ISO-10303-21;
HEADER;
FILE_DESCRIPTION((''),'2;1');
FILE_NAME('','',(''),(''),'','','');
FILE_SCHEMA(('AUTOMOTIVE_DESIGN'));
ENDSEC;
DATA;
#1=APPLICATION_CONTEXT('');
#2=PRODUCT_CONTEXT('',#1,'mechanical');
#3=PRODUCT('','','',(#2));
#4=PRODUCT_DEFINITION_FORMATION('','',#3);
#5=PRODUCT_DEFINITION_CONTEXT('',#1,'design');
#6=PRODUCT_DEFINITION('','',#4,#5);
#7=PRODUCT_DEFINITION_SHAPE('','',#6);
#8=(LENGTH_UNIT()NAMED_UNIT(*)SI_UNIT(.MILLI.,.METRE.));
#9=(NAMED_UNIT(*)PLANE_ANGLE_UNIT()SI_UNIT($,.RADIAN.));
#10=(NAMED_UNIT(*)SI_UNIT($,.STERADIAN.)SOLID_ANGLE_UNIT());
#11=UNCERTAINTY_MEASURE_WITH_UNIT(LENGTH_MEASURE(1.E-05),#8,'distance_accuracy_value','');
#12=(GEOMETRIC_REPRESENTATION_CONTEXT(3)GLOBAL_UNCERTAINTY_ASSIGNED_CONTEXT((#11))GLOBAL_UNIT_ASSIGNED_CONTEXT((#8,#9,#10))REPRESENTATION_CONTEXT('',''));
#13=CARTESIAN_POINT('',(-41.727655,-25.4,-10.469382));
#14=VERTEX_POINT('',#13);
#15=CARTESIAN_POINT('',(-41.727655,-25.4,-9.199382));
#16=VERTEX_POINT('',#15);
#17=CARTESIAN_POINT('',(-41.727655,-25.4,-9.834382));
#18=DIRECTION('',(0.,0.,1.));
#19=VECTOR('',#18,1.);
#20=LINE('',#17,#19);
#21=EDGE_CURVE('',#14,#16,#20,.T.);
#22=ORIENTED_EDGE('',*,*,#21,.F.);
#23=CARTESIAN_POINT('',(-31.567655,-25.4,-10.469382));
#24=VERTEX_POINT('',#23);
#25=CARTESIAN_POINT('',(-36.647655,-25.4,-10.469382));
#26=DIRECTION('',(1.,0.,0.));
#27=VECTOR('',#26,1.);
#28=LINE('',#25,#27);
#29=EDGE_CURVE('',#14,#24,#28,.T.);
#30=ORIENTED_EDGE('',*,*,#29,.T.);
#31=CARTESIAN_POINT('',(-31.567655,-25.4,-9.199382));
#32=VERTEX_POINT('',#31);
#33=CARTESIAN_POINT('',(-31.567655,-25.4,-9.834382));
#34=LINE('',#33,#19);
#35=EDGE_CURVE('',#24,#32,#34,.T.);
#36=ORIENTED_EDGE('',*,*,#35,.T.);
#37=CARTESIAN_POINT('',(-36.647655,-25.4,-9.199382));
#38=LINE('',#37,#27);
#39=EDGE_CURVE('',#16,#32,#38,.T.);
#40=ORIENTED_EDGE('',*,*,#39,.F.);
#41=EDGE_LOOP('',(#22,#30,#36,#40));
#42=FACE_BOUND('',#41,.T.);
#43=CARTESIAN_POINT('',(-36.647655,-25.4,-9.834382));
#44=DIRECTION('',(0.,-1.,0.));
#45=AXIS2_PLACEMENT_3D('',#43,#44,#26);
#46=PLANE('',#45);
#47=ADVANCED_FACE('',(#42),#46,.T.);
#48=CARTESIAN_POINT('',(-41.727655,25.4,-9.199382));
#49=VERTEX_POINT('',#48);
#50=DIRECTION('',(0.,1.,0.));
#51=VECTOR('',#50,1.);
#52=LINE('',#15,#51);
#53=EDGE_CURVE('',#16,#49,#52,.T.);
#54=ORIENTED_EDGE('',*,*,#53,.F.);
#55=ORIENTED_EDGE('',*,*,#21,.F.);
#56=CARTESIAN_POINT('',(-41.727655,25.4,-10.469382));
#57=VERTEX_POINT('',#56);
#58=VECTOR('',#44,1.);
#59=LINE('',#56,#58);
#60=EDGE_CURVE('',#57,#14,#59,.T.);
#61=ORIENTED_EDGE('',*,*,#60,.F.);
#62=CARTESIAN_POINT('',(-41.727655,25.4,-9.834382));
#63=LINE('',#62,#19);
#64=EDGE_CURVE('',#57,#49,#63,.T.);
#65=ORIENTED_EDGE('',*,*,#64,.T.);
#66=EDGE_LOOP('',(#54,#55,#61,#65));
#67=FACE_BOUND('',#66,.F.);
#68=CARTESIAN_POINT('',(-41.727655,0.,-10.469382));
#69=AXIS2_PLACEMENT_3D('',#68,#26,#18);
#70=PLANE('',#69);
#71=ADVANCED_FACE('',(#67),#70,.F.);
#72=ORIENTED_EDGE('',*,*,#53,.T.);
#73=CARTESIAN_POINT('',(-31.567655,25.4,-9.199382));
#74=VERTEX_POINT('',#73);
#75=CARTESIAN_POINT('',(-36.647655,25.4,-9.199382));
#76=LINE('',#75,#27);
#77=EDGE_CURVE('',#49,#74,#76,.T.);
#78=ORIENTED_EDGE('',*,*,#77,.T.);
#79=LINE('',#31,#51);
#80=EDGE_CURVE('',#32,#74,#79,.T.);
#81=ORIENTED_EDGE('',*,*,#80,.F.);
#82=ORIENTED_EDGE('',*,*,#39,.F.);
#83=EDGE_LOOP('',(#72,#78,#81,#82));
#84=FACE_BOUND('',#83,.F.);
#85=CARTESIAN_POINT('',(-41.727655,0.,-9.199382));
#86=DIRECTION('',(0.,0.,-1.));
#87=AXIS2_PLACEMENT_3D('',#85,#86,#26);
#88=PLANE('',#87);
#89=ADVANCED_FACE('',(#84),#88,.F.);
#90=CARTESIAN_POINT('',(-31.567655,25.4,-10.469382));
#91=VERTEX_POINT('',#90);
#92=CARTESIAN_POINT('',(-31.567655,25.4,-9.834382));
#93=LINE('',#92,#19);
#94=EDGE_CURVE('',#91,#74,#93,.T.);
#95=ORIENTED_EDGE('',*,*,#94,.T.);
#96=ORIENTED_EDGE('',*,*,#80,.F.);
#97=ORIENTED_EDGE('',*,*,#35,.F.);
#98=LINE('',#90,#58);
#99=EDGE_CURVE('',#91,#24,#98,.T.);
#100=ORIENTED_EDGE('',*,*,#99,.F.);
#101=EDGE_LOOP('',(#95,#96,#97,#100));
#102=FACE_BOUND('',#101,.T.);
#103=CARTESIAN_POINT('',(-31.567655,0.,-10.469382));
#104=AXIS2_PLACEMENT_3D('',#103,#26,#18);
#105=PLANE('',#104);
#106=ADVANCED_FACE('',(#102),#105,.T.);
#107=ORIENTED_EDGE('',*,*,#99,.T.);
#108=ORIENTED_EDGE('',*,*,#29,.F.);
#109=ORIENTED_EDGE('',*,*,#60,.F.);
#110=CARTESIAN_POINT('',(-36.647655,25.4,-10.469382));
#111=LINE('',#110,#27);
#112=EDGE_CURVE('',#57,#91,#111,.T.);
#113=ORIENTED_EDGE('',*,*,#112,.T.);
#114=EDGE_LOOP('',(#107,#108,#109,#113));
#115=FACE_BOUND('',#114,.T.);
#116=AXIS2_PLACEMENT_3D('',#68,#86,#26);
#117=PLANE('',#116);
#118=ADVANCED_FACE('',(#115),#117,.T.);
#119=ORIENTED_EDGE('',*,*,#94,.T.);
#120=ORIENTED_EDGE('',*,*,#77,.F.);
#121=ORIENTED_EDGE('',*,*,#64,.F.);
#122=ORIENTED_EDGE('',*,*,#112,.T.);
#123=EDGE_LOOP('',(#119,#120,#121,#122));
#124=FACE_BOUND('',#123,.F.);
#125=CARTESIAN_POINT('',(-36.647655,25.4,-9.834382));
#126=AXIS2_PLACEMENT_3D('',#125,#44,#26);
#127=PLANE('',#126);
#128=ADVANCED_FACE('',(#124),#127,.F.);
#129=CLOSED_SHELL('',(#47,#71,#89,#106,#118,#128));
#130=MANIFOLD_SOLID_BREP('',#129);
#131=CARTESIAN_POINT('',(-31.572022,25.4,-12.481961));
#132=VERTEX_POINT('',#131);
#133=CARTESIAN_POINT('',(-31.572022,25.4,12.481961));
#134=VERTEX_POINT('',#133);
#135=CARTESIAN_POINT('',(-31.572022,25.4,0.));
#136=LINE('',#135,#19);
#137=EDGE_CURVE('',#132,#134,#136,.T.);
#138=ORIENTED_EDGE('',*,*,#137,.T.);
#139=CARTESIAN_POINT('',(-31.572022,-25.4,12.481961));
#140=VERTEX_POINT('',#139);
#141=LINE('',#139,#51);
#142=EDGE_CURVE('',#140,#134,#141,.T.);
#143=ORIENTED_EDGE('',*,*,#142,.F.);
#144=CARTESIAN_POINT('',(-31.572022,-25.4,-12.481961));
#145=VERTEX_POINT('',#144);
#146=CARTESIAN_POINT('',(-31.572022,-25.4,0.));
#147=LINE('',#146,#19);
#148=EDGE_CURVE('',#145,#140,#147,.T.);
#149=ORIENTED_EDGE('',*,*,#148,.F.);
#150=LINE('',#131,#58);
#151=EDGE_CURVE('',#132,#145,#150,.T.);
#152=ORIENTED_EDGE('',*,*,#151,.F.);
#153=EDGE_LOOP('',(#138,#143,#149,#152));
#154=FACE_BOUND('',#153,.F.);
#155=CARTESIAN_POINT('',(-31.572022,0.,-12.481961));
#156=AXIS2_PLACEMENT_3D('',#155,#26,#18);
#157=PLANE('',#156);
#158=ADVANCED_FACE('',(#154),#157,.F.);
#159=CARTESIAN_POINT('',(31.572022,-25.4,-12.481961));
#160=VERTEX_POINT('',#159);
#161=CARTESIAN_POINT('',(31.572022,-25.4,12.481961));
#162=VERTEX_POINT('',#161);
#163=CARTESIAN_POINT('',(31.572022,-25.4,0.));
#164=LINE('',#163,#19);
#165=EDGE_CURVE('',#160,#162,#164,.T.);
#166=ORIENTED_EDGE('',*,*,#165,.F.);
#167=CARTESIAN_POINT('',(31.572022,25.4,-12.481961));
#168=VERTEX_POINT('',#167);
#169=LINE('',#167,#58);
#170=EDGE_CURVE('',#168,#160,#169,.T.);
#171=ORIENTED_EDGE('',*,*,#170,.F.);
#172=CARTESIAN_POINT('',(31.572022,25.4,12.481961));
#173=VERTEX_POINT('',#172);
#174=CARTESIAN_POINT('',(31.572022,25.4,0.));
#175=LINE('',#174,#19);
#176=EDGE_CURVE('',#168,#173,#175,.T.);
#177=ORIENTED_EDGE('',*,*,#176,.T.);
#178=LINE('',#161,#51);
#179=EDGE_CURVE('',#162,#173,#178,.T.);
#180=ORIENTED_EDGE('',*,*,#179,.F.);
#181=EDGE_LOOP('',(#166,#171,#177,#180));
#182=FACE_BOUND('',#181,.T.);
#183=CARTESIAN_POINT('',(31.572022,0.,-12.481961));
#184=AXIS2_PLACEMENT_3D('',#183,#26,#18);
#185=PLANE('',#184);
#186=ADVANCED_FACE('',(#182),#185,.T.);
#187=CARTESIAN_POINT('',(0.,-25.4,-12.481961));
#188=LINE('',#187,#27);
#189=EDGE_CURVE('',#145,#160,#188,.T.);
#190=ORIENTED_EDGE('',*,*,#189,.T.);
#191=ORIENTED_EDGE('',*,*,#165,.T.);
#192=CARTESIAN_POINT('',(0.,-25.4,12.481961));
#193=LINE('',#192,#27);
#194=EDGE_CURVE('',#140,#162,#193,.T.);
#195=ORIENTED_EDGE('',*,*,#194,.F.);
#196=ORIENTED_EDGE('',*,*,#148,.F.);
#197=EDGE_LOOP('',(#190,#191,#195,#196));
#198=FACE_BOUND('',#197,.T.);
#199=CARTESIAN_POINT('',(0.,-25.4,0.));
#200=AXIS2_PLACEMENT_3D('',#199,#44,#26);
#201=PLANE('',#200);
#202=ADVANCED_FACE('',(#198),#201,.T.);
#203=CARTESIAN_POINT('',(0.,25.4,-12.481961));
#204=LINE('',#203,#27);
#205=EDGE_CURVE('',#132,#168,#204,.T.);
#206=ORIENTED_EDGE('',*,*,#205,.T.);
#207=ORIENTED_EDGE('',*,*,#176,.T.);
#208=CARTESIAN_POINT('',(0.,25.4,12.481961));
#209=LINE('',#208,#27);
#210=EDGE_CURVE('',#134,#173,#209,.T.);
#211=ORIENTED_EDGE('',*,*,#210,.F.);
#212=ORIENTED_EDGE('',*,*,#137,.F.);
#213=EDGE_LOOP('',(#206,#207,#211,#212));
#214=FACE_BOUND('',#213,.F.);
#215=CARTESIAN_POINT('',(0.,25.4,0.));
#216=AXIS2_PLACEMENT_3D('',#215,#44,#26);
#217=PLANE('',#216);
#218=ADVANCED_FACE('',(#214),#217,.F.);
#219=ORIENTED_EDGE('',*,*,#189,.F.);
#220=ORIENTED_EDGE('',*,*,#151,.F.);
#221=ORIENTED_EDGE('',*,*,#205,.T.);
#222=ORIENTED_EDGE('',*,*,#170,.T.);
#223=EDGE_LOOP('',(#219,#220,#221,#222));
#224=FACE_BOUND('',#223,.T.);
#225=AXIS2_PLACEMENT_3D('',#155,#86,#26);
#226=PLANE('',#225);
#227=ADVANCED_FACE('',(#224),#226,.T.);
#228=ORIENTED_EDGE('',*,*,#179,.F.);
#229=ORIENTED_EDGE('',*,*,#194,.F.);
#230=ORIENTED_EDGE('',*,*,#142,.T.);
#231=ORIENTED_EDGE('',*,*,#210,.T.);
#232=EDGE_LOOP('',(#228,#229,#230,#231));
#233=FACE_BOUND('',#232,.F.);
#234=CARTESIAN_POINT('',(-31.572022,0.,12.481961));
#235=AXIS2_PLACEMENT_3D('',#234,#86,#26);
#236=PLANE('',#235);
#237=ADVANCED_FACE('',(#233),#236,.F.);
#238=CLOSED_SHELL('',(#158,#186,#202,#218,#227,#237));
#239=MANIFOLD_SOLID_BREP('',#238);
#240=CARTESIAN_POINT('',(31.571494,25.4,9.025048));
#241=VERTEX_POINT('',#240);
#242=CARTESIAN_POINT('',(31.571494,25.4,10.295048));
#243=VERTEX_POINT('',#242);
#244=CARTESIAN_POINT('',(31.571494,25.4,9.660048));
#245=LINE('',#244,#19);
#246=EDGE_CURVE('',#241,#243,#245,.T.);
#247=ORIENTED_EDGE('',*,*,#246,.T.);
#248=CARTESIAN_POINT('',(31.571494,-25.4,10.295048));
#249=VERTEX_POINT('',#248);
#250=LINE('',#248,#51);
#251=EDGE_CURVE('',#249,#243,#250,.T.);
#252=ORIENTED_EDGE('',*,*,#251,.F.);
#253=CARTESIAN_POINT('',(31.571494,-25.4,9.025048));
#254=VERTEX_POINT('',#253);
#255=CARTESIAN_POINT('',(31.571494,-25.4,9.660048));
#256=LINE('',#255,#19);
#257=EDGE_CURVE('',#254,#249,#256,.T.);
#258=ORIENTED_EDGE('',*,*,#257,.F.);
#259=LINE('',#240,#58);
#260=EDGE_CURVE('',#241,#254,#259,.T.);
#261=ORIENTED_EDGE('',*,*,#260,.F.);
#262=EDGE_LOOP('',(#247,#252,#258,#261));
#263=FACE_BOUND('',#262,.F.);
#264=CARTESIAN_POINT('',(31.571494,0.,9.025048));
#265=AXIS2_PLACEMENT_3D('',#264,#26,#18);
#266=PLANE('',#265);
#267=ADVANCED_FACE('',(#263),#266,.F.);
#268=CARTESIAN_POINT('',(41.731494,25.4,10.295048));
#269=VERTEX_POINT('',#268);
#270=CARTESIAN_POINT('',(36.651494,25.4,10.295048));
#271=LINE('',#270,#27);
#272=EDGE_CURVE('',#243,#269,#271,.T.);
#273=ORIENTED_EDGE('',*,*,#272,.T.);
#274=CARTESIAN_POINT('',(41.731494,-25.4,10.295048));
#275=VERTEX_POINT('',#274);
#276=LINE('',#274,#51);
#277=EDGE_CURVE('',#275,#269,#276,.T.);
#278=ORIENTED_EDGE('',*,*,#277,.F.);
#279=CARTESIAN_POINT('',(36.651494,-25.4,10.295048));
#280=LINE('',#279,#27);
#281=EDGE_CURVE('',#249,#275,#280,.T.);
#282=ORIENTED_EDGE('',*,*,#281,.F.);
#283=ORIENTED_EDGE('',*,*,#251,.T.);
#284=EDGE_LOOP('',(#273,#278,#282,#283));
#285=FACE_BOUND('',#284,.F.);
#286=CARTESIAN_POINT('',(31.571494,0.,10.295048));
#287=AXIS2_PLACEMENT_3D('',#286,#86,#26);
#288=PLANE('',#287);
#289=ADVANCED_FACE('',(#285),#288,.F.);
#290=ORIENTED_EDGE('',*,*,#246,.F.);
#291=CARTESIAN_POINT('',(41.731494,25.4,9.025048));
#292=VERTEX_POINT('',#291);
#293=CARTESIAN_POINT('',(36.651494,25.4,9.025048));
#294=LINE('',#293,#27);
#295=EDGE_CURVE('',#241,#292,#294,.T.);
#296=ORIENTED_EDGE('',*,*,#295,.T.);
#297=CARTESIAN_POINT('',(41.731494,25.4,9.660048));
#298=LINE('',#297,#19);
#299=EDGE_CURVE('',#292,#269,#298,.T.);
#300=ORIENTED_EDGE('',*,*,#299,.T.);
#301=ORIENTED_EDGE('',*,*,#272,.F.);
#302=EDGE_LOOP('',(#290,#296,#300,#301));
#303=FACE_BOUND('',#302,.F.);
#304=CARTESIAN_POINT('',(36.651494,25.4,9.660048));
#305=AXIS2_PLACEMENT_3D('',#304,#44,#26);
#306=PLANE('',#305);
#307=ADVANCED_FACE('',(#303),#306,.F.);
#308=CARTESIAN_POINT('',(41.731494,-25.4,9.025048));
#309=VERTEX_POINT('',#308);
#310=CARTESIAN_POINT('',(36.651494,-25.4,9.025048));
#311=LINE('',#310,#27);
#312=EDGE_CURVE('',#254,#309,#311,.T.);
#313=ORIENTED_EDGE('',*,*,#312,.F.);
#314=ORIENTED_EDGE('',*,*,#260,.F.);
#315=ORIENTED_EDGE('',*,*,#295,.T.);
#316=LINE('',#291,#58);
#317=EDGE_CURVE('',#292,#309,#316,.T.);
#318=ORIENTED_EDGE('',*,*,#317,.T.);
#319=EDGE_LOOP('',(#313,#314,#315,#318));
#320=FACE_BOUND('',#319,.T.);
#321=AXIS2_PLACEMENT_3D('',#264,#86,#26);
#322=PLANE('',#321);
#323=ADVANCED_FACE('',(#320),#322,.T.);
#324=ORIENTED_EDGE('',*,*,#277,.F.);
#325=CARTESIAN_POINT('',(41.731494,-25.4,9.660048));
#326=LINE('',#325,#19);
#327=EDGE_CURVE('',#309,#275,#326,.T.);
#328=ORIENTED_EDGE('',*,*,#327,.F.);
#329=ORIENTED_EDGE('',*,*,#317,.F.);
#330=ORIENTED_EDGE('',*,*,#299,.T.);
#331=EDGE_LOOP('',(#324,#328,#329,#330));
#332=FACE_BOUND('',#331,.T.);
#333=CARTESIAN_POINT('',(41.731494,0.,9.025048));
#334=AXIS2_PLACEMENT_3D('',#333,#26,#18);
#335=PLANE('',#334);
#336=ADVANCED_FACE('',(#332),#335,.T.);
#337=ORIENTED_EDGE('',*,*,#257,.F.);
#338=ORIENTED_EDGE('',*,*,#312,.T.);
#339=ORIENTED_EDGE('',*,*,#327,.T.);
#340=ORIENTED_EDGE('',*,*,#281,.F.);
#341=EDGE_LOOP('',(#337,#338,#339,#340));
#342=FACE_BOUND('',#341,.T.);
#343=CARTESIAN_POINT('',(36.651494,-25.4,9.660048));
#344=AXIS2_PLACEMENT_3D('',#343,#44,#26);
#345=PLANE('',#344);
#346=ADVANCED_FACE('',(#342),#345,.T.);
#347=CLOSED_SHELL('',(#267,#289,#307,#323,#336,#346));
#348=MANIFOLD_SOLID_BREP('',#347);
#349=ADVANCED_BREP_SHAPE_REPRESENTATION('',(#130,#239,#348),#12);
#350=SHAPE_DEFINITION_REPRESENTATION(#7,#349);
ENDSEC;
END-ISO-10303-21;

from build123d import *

# Parameters (mm, degrees)
F0_W     = 63.144043088
F0_H     = 24.9639227986
F3_DEPTH = 25.4
F1_W     = 10.16
F1_H     = 1.27
F2_W     = 10.16
F2_H     = 1.27


with BuildPart() as f3:
    # F0 (on Front) → F3 (new body, symmetric)
    with BuildSketch(Plane.XZ):
        Rectangle(F0_W, F0_H)
    extrude(amount=F3_DEPTH, both=True)


with BuildPart() as f3b:
    # F1 (on Front) → F3, piece 2 (new body, symmetric)
    with BuildSketch(Plane.XZ):
        with Locations((36.6514939815, 9.6600476645)):
            Rectangle(F1_W, F1_H)
    extrude(amount=F3_DEPTH, both=True)


with BuildPart() as f3c:
    # F2 (on Front) → F3, piece 3 (new body, symmetric)
    with BuildSketch(Plane.XZ):
        with Locations((-36.6476550698, -9.8343824477)):
            Rectangle(F2_W, F2_H)
    extrude(amount=F3_DEPTH, both=True)


solid = Compound([f3.part, f3b.part, f3c.part])
